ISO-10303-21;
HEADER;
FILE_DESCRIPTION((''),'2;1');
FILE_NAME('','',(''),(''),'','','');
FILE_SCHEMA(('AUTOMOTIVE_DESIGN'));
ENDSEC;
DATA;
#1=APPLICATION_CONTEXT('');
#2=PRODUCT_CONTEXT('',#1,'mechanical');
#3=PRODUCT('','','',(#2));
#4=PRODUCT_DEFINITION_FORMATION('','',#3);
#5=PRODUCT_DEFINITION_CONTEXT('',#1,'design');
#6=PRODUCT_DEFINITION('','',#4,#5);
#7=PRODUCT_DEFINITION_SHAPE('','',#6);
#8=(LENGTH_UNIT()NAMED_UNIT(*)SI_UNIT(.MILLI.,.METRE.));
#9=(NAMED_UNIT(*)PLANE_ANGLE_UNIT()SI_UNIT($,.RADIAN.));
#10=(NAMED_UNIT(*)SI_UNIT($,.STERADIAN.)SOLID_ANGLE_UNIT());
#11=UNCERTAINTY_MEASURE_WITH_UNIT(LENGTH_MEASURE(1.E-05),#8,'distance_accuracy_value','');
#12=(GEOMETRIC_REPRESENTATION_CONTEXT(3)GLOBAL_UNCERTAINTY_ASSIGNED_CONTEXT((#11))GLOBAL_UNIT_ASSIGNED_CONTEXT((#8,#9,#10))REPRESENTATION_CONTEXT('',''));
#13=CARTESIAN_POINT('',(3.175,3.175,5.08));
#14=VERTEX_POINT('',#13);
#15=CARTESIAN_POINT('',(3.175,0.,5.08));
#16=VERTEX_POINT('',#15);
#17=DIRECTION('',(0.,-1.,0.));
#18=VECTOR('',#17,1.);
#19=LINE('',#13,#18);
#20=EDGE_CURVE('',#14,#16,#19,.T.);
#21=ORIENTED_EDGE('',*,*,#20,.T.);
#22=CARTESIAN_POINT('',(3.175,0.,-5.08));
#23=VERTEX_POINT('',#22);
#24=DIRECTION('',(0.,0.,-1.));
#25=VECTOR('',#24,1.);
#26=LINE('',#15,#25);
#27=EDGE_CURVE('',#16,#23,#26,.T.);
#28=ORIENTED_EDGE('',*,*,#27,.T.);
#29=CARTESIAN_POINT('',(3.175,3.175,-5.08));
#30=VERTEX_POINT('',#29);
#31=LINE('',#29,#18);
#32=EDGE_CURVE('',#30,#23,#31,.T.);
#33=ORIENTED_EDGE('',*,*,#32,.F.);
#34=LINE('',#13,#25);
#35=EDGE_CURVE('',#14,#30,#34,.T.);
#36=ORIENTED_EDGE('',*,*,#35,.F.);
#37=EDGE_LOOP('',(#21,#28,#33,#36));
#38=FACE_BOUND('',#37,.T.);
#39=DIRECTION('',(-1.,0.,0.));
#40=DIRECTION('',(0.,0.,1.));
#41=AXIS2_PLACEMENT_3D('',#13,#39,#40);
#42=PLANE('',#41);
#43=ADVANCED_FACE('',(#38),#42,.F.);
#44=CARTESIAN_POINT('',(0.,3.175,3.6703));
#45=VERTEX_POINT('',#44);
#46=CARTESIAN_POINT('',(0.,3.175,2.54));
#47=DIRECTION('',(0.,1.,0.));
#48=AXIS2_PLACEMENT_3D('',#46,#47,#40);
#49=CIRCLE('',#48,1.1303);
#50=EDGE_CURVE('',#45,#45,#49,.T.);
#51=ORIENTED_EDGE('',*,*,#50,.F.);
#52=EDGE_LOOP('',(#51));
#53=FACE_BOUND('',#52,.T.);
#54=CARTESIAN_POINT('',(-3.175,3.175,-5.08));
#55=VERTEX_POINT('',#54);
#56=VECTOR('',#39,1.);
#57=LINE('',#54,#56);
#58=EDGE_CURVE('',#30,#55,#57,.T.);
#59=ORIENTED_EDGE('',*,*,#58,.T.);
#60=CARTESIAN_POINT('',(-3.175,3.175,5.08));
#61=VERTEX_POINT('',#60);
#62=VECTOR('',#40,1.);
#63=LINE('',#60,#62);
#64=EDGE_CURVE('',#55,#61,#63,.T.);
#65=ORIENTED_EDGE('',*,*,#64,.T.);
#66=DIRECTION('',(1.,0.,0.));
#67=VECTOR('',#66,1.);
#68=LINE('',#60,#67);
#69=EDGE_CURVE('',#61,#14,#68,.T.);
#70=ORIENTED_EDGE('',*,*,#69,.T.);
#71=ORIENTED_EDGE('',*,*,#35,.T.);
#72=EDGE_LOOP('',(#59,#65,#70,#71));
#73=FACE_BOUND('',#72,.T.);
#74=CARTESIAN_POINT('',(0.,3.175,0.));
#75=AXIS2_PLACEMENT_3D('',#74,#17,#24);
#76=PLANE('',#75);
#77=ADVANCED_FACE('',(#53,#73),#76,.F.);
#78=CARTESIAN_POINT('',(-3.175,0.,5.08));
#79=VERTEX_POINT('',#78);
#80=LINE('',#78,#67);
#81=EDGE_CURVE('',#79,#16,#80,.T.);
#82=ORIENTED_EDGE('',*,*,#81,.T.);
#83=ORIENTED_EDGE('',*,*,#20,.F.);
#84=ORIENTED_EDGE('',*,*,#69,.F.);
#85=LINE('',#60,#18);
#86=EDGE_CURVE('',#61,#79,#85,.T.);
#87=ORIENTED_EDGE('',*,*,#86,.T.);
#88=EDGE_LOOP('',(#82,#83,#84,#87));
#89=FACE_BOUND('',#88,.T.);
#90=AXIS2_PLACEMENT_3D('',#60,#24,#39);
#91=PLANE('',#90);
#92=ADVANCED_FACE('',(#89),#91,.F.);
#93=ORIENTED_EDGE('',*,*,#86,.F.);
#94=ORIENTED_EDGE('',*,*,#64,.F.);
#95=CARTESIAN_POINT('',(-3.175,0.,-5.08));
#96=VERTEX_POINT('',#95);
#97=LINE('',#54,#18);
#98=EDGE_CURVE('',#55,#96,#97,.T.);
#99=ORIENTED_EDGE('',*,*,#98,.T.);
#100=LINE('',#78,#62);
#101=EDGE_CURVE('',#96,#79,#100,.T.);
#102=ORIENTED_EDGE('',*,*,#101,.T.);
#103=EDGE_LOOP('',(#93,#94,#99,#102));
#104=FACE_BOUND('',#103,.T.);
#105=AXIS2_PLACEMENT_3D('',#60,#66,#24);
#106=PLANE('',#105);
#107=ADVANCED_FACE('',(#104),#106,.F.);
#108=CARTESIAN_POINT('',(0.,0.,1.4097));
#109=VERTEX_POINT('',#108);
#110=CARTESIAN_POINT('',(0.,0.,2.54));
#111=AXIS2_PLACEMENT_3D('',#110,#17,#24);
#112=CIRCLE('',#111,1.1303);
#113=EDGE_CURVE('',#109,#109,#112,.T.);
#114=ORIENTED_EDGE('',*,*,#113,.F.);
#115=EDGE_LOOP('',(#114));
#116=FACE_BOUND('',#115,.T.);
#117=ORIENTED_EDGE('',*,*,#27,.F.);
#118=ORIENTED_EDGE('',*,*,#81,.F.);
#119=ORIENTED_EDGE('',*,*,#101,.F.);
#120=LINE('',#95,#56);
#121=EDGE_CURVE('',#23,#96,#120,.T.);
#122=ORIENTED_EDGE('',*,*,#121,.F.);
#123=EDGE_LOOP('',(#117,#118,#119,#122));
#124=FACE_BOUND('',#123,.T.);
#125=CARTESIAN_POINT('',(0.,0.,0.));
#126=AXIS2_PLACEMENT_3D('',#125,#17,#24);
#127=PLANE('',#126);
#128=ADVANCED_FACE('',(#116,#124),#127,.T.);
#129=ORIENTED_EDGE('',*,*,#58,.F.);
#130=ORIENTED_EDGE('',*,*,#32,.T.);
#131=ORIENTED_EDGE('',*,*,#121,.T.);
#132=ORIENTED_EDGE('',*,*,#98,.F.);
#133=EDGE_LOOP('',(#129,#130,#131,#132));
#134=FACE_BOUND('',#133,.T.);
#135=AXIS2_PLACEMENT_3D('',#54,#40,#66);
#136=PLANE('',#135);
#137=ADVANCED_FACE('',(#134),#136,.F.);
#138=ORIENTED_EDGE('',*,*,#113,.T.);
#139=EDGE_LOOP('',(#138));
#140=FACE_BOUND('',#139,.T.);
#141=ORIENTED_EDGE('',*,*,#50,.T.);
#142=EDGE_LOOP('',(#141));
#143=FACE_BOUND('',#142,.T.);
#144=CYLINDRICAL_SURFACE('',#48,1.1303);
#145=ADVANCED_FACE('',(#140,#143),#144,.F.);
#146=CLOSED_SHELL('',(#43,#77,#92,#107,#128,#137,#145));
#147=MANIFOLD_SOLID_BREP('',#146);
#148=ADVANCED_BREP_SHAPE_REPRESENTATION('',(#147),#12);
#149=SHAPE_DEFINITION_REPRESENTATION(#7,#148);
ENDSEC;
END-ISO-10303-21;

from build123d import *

# Parameters (mm, degrees)
SKETCH1_W                 = 6.35
SKETCH1_H                 = 10.16
BOSS_EXTRUDE1_DEPTH       = 3.175
F_4_40_TAPPED_HOLE1_D     = 2.2606
F_4_40_TAPPED_HOLE1_DEPTH = 7.5946
F_4_40_TAPPED_HOLE1_TIP   = 0.679152758


with BuildPart() as part:
    # Sketch1 → Boss-Extrude1 (new body)
    with BuildSketch(Plane(origin=(0, 0, 0), x_dir=(1, 0, 0), z_dir=(0, 1, 0))):
        Rectangle(SKETCH1_W, SKETCH1_H)
    extrude(amount=BOSS_EXTRUDE1_DEPTH)

    # #4-40 Tapped Hole1
    with Locations(Plane(origin=(0, 3.175, 0), x_dir=(1, 0, 0), z_dir=(0, 1, 0))):
        with Locations((0, -2.54)):
            Hole(F_4_40_TAPPED_HOLE1_D / 2, depth=F_4_40_TAPPED_HOLE1_DEPTH)
            with Locations((0, 0, -(F_4_40_TAPPED_HOLE1_DEPTH + F_4_40_TAPPED_HOLE1_TIP / 2))):  # 118° drill point
                Cone(0, F_4_40_TAPPED_HOLE1_D / 2, F_4_40_TAPPED_HOLE1_TIP, mode=Mode.SUBTRACT)


solid = part.part
